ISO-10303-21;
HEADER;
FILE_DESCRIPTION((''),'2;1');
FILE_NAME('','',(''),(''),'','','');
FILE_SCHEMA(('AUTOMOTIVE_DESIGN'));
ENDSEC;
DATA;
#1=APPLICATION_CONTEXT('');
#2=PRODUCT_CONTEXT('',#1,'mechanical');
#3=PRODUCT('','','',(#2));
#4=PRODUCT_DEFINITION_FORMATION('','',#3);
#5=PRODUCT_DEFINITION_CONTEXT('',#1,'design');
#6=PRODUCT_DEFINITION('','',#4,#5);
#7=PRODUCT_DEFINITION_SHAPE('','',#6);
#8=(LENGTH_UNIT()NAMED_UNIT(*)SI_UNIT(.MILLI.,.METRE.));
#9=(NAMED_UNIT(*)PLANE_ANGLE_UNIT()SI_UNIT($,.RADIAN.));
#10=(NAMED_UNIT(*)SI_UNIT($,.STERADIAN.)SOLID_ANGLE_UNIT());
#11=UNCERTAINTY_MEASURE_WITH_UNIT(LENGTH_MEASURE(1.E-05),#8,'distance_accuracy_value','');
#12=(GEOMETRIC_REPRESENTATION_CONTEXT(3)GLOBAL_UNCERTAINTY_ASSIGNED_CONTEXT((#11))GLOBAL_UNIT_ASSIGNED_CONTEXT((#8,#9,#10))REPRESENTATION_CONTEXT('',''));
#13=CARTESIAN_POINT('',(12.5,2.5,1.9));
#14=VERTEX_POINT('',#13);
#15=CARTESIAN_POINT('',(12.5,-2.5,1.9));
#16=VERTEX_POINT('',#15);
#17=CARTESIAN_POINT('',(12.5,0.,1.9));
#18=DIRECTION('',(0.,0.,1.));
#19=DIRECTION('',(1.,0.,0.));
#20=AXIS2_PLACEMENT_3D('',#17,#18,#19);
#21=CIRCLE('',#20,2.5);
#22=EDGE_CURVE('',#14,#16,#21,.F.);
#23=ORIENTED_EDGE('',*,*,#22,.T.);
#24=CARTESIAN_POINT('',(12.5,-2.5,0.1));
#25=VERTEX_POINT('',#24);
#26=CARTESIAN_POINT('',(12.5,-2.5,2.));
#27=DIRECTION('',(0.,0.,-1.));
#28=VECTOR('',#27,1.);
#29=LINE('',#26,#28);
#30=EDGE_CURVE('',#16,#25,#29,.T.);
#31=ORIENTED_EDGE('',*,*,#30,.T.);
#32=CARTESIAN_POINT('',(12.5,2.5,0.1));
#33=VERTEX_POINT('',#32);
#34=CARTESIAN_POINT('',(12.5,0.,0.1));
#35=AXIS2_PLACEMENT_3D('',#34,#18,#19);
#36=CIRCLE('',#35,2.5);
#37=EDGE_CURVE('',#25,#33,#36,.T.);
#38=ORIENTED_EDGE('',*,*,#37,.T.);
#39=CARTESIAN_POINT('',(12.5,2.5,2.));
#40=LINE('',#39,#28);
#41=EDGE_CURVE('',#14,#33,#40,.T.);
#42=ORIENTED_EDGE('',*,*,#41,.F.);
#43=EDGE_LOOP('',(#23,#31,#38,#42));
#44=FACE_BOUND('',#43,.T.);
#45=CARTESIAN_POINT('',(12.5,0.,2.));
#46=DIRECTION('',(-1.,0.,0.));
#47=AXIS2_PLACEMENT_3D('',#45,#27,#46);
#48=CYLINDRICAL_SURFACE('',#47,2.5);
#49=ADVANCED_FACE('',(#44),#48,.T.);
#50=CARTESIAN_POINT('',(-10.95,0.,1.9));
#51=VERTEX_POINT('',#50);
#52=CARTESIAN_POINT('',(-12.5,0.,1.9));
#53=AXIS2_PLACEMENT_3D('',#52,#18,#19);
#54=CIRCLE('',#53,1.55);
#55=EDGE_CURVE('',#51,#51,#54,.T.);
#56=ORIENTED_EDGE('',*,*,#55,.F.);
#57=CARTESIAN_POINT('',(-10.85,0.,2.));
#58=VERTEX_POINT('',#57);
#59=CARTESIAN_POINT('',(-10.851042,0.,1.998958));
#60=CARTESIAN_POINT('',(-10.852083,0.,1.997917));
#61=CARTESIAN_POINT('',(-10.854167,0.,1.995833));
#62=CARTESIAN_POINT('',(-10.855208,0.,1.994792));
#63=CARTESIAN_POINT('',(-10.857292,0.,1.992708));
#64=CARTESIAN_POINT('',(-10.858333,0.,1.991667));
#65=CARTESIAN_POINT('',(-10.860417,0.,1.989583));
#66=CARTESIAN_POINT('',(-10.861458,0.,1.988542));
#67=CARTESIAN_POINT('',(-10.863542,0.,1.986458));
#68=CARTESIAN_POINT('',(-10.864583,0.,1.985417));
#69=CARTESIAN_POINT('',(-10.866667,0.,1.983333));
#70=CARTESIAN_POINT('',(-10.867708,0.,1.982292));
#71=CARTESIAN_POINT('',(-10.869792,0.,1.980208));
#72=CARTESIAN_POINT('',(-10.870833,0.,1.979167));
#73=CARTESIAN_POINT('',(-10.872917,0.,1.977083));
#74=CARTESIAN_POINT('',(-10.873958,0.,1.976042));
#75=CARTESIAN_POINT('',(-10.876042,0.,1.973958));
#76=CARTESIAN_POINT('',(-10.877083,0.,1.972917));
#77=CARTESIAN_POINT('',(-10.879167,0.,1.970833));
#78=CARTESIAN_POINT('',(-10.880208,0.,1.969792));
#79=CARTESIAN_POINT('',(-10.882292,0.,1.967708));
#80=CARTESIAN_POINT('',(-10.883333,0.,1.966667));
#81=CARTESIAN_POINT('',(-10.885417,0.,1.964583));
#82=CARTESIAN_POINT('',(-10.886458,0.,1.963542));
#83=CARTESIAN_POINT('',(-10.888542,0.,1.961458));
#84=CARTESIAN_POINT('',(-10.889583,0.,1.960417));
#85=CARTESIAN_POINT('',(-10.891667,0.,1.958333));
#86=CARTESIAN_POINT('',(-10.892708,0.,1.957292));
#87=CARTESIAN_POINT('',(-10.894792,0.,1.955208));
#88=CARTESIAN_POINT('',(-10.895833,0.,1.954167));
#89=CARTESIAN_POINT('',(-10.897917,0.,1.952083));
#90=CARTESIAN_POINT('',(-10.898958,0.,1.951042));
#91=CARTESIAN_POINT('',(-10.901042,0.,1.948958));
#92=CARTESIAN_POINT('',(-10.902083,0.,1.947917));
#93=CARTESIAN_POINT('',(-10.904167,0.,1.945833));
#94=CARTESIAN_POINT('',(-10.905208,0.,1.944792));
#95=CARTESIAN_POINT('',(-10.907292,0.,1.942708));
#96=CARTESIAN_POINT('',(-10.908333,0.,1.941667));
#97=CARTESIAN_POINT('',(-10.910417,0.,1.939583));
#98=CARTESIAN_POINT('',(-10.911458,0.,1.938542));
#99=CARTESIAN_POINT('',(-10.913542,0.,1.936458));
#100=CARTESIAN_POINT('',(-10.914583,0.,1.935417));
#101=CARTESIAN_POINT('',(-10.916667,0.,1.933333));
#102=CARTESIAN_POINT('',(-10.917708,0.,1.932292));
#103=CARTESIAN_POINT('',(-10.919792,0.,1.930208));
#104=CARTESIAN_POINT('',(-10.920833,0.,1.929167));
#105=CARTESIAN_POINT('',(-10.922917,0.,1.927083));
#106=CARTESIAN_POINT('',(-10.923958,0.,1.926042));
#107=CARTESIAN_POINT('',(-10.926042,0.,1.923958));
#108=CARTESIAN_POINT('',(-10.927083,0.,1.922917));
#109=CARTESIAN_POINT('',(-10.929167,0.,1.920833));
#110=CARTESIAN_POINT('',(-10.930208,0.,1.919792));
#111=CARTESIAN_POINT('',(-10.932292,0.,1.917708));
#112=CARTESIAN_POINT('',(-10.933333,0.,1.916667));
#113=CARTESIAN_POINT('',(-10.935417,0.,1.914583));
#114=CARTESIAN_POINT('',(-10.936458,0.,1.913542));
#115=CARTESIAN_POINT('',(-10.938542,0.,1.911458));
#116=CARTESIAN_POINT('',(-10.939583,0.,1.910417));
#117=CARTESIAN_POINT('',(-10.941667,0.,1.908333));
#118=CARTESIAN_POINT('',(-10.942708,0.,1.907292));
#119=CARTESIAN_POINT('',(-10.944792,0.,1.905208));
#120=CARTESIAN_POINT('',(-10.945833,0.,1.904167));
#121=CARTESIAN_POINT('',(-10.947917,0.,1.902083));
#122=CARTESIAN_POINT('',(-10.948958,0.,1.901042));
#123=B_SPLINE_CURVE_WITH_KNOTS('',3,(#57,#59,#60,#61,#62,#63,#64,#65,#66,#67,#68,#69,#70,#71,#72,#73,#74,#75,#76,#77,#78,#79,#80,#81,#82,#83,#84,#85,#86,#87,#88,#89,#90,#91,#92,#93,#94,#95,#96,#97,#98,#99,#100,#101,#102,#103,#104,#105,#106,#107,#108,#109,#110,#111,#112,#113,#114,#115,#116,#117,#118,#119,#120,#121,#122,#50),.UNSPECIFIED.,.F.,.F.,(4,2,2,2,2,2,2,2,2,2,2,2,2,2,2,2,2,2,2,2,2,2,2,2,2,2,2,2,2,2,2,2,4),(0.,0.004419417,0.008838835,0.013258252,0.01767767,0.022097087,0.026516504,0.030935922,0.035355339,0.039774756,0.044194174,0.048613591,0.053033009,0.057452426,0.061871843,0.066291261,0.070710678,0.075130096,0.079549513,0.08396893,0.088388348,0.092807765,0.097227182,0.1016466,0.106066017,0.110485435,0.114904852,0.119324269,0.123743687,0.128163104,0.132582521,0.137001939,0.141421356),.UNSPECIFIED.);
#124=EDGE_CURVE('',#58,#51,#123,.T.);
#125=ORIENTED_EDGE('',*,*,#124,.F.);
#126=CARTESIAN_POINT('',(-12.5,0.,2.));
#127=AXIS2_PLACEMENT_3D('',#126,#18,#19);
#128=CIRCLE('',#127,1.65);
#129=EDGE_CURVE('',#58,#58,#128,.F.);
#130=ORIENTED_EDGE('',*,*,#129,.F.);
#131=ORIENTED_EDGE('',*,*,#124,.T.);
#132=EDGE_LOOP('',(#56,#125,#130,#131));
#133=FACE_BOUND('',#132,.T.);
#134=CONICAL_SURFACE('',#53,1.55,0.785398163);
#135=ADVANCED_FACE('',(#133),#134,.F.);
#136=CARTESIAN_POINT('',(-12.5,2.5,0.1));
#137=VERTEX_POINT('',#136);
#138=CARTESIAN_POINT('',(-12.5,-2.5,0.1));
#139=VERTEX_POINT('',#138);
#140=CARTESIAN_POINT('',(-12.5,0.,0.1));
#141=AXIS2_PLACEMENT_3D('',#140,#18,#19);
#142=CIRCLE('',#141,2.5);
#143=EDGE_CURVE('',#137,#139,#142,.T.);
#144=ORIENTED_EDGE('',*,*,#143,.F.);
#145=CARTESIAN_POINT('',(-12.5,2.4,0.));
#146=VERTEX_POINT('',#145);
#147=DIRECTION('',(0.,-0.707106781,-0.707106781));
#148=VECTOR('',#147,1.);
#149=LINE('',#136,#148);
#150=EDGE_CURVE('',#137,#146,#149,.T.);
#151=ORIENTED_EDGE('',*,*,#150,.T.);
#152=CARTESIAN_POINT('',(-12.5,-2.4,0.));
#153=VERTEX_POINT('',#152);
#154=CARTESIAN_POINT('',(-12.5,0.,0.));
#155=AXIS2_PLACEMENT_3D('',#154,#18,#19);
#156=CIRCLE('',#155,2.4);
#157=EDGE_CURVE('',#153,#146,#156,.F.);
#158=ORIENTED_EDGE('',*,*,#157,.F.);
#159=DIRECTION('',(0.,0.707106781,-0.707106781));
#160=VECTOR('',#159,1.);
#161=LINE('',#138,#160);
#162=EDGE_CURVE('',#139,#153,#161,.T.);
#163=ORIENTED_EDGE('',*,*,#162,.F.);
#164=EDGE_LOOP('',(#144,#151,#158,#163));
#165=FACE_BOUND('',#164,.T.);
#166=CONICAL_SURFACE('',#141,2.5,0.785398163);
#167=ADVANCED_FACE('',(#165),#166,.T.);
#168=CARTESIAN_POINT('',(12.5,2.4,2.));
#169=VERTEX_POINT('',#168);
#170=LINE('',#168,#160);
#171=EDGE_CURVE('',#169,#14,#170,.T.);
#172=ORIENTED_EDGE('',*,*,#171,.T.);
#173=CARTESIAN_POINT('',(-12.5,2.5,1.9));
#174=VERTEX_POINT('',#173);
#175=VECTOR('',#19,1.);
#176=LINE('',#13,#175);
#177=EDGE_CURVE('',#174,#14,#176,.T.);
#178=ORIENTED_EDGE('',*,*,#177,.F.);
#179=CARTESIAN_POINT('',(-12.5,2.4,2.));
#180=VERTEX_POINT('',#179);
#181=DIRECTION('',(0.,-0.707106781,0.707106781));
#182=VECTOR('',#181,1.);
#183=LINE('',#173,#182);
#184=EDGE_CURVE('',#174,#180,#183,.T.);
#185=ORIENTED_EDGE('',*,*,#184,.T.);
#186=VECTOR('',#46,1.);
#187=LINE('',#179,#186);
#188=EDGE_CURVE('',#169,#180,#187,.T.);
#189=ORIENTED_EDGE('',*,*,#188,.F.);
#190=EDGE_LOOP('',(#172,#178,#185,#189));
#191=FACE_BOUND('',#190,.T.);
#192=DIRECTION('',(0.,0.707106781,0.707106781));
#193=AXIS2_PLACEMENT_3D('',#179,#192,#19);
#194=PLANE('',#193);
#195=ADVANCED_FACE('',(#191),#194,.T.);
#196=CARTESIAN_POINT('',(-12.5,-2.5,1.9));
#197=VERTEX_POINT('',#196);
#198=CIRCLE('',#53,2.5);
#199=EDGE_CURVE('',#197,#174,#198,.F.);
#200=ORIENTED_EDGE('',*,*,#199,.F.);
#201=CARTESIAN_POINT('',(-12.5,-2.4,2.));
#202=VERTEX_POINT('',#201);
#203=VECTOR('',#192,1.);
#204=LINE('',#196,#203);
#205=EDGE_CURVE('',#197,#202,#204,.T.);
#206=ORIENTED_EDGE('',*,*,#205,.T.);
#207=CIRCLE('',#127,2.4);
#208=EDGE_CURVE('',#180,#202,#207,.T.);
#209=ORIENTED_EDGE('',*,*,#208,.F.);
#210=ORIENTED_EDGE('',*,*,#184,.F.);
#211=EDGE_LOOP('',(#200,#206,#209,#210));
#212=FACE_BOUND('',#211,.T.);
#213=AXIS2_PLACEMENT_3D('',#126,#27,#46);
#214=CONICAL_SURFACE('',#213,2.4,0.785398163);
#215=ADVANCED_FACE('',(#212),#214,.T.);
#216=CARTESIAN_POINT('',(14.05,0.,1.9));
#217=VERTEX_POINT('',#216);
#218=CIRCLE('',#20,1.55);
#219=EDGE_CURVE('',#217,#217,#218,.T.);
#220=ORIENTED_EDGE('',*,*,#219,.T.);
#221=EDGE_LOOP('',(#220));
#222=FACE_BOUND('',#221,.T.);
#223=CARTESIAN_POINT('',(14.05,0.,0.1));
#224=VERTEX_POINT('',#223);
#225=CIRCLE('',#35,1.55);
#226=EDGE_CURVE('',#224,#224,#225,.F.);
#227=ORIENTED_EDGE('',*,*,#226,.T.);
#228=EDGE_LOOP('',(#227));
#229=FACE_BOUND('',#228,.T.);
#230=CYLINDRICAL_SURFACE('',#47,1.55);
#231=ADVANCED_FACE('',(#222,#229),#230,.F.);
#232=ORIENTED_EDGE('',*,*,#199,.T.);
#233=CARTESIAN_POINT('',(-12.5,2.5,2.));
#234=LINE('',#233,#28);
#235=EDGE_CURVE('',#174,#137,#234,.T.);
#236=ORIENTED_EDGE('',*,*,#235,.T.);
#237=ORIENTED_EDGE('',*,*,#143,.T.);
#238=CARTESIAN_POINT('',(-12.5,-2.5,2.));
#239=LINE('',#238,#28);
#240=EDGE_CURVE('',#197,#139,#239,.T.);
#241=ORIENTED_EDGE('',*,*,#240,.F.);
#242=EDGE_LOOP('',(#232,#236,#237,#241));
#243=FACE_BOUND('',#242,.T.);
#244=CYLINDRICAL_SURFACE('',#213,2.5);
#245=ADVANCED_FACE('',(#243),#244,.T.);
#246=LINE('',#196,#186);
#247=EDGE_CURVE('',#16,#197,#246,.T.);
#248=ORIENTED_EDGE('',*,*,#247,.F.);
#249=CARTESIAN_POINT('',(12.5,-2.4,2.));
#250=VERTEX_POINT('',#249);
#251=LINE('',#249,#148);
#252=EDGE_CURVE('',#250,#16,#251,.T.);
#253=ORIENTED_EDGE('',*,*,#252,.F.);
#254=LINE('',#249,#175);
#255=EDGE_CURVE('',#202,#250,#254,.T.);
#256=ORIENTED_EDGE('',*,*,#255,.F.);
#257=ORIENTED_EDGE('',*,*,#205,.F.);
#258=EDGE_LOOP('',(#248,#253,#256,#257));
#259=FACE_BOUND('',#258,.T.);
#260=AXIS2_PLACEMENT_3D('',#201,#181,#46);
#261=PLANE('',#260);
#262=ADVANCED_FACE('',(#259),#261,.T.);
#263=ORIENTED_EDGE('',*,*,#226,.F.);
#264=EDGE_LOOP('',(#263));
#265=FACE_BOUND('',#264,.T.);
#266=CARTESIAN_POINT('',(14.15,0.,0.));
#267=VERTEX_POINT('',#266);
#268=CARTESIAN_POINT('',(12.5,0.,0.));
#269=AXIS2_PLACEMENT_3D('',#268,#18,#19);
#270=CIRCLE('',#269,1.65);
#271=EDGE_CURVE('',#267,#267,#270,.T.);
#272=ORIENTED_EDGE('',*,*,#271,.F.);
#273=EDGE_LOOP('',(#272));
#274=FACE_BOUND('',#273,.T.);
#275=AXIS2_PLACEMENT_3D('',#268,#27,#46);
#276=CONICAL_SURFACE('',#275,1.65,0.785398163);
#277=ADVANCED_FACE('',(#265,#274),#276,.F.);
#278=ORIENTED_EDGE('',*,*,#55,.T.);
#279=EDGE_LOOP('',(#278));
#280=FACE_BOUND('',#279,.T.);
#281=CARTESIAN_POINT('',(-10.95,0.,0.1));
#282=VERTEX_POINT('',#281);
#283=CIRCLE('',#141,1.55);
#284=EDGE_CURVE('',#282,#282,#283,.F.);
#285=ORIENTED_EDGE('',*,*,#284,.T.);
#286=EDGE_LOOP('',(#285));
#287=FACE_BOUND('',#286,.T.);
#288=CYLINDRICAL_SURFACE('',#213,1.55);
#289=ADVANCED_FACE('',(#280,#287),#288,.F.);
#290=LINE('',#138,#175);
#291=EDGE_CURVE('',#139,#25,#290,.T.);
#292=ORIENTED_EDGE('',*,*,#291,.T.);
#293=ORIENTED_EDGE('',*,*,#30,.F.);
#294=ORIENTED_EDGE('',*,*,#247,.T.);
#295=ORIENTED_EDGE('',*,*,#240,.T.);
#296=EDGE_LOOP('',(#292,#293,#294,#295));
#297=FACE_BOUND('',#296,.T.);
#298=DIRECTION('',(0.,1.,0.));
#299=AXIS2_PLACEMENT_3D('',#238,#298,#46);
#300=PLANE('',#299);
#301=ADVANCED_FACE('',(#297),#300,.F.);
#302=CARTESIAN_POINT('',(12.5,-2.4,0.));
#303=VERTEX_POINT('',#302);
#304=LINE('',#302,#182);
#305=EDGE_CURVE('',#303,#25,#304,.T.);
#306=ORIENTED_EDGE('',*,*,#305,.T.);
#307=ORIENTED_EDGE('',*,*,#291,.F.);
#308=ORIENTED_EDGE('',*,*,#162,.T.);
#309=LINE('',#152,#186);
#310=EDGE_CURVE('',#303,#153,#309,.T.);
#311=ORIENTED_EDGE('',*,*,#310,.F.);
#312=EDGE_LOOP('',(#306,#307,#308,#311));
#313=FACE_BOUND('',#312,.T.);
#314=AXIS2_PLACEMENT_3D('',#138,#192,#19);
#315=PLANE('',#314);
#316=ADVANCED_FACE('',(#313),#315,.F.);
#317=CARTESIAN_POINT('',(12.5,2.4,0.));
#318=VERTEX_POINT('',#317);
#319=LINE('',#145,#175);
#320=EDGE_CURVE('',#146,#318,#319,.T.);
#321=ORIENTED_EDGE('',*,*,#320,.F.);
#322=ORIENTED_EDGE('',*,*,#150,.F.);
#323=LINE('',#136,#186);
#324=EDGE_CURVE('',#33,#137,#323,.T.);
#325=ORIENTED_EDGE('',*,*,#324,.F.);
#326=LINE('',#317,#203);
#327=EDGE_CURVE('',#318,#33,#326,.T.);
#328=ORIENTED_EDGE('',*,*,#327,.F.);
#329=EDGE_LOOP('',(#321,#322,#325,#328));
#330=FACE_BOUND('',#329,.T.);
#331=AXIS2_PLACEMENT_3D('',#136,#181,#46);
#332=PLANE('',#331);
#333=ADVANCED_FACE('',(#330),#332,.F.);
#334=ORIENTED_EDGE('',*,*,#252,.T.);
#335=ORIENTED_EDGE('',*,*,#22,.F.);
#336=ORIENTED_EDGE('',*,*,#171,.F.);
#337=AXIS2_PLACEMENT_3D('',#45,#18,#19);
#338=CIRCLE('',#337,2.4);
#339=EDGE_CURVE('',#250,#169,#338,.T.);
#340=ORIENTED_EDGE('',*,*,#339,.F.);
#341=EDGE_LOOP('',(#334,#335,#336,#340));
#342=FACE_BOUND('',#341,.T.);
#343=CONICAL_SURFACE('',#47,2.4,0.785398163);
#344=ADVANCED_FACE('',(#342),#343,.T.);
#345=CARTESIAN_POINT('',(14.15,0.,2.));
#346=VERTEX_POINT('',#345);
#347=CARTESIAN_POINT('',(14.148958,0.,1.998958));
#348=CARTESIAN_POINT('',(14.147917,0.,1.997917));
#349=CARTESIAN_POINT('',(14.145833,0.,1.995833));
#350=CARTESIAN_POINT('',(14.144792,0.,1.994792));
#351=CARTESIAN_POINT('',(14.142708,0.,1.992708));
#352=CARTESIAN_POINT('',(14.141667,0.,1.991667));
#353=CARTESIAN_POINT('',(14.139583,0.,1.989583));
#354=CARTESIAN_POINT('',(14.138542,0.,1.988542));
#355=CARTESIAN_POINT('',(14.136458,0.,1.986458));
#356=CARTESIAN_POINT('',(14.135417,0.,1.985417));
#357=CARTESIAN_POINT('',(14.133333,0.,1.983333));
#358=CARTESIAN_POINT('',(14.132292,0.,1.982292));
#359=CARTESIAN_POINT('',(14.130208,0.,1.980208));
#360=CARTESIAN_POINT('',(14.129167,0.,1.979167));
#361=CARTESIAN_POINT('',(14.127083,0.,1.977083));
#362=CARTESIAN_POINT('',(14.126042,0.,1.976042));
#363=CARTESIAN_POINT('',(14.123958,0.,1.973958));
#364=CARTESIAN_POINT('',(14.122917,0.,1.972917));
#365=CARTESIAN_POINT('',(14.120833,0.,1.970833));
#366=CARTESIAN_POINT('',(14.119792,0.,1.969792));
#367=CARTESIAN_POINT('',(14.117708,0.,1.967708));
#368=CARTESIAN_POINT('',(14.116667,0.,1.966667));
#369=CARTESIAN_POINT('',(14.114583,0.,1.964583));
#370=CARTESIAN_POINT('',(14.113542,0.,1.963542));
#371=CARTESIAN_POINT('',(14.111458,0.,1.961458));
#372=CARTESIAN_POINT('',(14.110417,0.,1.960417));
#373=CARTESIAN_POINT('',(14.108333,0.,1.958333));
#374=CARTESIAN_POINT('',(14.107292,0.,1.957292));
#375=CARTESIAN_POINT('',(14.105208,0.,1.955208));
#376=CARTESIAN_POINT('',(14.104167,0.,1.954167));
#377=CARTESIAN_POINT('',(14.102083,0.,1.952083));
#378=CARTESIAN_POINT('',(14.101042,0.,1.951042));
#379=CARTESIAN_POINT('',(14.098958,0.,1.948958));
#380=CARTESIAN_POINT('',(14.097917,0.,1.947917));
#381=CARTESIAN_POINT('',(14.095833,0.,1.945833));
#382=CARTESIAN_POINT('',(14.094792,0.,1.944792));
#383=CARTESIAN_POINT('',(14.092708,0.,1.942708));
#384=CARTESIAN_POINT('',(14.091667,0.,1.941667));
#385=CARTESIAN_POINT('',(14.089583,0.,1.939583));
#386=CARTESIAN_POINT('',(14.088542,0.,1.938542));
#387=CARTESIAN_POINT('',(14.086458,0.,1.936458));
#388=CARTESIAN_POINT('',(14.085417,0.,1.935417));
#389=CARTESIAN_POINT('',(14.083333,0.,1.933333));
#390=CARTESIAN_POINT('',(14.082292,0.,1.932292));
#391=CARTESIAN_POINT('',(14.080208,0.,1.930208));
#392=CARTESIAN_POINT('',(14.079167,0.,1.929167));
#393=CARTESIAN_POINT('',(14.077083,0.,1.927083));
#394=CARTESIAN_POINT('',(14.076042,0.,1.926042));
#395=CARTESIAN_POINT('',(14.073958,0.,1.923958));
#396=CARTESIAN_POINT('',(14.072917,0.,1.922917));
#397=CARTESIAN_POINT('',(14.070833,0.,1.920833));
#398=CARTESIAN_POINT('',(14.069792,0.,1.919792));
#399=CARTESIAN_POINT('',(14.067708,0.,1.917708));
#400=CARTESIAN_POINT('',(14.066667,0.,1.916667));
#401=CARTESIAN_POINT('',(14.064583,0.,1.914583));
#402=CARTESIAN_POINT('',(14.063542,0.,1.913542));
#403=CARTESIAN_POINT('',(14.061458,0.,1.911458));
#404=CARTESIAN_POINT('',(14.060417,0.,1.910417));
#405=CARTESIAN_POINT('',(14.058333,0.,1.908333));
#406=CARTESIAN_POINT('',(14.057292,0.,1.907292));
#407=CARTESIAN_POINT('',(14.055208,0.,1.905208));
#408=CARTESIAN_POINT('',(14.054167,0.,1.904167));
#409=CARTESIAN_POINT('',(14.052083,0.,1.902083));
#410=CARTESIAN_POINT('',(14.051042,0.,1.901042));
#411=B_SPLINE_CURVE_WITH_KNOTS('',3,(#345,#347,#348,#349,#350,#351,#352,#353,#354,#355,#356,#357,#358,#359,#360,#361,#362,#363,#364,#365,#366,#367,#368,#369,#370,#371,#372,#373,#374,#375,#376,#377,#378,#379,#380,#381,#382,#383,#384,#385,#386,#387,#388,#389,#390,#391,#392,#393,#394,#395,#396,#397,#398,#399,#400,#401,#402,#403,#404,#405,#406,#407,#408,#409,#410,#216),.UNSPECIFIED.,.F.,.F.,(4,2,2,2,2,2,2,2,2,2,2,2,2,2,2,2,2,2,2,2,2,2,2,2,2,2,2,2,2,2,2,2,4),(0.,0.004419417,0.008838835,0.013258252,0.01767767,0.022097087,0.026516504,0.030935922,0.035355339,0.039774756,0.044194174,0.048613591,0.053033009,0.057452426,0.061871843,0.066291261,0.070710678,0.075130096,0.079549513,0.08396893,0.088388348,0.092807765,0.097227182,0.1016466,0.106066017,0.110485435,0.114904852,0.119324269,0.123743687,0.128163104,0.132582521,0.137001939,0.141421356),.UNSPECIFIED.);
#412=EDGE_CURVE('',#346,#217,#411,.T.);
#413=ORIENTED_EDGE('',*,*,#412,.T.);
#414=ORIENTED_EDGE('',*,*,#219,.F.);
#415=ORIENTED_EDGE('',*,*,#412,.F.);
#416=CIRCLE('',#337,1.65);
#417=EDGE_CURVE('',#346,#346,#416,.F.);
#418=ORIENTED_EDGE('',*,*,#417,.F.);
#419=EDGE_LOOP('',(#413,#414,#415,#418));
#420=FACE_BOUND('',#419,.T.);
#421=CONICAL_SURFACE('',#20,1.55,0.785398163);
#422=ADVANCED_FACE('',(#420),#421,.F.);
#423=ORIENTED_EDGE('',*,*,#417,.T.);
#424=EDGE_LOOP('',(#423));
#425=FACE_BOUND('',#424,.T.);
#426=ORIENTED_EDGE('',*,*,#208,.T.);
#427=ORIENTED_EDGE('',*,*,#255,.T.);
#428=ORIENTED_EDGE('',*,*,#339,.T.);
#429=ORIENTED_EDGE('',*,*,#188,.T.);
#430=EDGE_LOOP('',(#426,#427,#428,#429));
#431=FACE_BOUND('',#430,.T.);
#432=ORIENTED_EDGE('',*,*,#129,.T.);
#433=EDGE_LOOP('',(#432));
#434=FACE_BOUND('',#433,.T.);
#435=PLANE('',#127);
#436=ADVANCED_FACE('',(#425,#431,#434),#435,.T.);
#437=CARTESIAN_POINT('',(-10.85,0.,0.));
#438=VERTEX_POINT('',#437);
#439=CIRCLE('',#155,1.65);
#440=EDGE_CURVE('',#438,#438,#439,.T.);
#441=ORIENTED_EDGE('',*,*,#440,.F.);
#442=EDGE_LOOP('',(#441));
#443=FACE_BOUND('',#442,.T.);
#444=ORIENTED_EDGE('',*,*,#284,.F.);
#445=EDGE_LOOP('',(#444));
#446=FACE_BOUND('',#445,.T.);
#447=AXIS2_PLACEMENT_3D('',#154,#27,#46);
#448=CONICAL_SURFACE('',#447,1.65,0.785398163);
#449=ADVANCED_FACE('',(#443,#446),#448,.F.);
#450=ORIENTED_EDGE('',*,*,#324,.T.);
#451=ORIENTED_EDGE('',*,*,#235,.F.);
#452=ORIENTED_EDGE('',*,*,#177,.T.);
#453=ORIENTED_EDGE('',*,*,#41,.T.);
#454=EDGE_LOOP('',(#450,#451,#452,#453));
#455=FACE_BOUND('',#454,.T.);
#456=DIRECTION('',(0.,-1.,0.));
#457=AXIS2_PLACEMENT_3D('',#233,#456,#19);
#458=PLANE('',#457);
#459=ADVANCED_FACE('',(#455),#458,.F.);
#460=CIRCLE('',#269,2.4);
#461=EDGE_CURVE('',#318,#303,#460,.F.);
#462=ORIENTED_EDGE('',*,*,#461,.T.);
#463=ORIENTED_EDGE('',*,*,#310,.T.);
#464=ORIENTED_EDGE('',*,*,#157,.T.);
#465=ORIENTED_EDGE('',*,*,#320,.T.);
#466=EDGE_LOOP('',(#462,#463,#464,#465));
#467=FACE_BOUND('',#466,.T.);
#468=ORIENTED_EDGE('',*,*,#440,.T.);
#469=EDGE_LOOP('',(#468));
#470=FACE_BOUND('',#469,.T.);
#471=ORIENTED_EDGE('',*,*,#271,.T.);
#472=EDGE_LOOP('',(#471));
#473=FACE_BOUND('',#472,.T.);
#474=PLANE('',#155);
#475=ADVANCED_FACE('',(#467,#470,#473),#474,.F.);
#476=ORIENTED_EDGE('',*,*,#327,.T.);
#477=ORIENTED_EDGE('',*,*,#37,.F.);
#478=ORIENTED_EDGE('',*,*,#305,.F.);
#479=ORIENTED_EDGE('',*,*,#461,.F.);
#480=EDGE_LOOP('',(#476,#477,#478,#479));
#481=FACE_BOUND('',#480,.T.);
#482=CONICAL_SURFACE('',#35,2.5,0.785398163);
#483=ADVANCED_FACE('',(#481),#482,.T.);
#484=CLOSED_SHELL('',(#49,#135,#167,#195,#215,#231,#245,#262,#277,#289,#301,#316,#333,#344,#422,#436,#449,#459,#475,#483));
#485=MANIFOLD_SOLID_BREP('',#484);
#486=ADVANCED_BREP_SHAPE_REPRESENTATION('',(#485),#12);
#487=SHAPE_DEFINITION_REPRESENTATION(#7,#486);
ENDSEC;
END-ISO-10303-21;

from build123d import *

# Parameters (mm, degrees)
SKETCH1_R           = 1.55
BOSS_EXTRUDE1_DEPTH = 2
CHAMFER1_SIZE       = 0.1


with BuildPart() as part:
    # Sketch1 → Boss-Extrude1 (new body)
    with BuildSketch(Plane.XY):
        with BuildLine():
            Line((-12.5, 2.5), (12.5, 2.5))
            ThreePointArc((12.5, 2.5), (15, 0), (12.5, -2.5))
            Line((12.5, -2.5), (-12.5, -2.5))
            ThreePointArc((-12.5, -2.5), (-15, 0), (-12.5, 2.5))
        make_face()
        with Locations((-12.5, 0)):
            Circle(SKETCH1_R, mode=Mode.SUBTRACT)
        with Locations((12.5, 0)):
            Circle(SKETCH1_R, mode=Mode.SUBTRACT)
    extrude(amount=BOSS_EXTRUDE1_DEPTH)

    # Chamfer1
    chamfer1_edges = [part.edges().sort_by_distance(p)[0] for p in [
        (-14.05, 0, 0),
        (-14.05, 0, 2),
        (15, 0, 2),
        (10.95, 0, 0),
        (10.95, 0, 2),
        (0, 2.5, 2),
        (-15, 0, 2),
        (0, 2.5, 0),
        (15, 0, 0),
        (0, -2.5, 0),
        (-15, 0, 0),
        (0, -2.5, 2),
    ]]
    chamfer(chamfer1_edges, length=CHAMFER1_SIZE)


solid = part.part
